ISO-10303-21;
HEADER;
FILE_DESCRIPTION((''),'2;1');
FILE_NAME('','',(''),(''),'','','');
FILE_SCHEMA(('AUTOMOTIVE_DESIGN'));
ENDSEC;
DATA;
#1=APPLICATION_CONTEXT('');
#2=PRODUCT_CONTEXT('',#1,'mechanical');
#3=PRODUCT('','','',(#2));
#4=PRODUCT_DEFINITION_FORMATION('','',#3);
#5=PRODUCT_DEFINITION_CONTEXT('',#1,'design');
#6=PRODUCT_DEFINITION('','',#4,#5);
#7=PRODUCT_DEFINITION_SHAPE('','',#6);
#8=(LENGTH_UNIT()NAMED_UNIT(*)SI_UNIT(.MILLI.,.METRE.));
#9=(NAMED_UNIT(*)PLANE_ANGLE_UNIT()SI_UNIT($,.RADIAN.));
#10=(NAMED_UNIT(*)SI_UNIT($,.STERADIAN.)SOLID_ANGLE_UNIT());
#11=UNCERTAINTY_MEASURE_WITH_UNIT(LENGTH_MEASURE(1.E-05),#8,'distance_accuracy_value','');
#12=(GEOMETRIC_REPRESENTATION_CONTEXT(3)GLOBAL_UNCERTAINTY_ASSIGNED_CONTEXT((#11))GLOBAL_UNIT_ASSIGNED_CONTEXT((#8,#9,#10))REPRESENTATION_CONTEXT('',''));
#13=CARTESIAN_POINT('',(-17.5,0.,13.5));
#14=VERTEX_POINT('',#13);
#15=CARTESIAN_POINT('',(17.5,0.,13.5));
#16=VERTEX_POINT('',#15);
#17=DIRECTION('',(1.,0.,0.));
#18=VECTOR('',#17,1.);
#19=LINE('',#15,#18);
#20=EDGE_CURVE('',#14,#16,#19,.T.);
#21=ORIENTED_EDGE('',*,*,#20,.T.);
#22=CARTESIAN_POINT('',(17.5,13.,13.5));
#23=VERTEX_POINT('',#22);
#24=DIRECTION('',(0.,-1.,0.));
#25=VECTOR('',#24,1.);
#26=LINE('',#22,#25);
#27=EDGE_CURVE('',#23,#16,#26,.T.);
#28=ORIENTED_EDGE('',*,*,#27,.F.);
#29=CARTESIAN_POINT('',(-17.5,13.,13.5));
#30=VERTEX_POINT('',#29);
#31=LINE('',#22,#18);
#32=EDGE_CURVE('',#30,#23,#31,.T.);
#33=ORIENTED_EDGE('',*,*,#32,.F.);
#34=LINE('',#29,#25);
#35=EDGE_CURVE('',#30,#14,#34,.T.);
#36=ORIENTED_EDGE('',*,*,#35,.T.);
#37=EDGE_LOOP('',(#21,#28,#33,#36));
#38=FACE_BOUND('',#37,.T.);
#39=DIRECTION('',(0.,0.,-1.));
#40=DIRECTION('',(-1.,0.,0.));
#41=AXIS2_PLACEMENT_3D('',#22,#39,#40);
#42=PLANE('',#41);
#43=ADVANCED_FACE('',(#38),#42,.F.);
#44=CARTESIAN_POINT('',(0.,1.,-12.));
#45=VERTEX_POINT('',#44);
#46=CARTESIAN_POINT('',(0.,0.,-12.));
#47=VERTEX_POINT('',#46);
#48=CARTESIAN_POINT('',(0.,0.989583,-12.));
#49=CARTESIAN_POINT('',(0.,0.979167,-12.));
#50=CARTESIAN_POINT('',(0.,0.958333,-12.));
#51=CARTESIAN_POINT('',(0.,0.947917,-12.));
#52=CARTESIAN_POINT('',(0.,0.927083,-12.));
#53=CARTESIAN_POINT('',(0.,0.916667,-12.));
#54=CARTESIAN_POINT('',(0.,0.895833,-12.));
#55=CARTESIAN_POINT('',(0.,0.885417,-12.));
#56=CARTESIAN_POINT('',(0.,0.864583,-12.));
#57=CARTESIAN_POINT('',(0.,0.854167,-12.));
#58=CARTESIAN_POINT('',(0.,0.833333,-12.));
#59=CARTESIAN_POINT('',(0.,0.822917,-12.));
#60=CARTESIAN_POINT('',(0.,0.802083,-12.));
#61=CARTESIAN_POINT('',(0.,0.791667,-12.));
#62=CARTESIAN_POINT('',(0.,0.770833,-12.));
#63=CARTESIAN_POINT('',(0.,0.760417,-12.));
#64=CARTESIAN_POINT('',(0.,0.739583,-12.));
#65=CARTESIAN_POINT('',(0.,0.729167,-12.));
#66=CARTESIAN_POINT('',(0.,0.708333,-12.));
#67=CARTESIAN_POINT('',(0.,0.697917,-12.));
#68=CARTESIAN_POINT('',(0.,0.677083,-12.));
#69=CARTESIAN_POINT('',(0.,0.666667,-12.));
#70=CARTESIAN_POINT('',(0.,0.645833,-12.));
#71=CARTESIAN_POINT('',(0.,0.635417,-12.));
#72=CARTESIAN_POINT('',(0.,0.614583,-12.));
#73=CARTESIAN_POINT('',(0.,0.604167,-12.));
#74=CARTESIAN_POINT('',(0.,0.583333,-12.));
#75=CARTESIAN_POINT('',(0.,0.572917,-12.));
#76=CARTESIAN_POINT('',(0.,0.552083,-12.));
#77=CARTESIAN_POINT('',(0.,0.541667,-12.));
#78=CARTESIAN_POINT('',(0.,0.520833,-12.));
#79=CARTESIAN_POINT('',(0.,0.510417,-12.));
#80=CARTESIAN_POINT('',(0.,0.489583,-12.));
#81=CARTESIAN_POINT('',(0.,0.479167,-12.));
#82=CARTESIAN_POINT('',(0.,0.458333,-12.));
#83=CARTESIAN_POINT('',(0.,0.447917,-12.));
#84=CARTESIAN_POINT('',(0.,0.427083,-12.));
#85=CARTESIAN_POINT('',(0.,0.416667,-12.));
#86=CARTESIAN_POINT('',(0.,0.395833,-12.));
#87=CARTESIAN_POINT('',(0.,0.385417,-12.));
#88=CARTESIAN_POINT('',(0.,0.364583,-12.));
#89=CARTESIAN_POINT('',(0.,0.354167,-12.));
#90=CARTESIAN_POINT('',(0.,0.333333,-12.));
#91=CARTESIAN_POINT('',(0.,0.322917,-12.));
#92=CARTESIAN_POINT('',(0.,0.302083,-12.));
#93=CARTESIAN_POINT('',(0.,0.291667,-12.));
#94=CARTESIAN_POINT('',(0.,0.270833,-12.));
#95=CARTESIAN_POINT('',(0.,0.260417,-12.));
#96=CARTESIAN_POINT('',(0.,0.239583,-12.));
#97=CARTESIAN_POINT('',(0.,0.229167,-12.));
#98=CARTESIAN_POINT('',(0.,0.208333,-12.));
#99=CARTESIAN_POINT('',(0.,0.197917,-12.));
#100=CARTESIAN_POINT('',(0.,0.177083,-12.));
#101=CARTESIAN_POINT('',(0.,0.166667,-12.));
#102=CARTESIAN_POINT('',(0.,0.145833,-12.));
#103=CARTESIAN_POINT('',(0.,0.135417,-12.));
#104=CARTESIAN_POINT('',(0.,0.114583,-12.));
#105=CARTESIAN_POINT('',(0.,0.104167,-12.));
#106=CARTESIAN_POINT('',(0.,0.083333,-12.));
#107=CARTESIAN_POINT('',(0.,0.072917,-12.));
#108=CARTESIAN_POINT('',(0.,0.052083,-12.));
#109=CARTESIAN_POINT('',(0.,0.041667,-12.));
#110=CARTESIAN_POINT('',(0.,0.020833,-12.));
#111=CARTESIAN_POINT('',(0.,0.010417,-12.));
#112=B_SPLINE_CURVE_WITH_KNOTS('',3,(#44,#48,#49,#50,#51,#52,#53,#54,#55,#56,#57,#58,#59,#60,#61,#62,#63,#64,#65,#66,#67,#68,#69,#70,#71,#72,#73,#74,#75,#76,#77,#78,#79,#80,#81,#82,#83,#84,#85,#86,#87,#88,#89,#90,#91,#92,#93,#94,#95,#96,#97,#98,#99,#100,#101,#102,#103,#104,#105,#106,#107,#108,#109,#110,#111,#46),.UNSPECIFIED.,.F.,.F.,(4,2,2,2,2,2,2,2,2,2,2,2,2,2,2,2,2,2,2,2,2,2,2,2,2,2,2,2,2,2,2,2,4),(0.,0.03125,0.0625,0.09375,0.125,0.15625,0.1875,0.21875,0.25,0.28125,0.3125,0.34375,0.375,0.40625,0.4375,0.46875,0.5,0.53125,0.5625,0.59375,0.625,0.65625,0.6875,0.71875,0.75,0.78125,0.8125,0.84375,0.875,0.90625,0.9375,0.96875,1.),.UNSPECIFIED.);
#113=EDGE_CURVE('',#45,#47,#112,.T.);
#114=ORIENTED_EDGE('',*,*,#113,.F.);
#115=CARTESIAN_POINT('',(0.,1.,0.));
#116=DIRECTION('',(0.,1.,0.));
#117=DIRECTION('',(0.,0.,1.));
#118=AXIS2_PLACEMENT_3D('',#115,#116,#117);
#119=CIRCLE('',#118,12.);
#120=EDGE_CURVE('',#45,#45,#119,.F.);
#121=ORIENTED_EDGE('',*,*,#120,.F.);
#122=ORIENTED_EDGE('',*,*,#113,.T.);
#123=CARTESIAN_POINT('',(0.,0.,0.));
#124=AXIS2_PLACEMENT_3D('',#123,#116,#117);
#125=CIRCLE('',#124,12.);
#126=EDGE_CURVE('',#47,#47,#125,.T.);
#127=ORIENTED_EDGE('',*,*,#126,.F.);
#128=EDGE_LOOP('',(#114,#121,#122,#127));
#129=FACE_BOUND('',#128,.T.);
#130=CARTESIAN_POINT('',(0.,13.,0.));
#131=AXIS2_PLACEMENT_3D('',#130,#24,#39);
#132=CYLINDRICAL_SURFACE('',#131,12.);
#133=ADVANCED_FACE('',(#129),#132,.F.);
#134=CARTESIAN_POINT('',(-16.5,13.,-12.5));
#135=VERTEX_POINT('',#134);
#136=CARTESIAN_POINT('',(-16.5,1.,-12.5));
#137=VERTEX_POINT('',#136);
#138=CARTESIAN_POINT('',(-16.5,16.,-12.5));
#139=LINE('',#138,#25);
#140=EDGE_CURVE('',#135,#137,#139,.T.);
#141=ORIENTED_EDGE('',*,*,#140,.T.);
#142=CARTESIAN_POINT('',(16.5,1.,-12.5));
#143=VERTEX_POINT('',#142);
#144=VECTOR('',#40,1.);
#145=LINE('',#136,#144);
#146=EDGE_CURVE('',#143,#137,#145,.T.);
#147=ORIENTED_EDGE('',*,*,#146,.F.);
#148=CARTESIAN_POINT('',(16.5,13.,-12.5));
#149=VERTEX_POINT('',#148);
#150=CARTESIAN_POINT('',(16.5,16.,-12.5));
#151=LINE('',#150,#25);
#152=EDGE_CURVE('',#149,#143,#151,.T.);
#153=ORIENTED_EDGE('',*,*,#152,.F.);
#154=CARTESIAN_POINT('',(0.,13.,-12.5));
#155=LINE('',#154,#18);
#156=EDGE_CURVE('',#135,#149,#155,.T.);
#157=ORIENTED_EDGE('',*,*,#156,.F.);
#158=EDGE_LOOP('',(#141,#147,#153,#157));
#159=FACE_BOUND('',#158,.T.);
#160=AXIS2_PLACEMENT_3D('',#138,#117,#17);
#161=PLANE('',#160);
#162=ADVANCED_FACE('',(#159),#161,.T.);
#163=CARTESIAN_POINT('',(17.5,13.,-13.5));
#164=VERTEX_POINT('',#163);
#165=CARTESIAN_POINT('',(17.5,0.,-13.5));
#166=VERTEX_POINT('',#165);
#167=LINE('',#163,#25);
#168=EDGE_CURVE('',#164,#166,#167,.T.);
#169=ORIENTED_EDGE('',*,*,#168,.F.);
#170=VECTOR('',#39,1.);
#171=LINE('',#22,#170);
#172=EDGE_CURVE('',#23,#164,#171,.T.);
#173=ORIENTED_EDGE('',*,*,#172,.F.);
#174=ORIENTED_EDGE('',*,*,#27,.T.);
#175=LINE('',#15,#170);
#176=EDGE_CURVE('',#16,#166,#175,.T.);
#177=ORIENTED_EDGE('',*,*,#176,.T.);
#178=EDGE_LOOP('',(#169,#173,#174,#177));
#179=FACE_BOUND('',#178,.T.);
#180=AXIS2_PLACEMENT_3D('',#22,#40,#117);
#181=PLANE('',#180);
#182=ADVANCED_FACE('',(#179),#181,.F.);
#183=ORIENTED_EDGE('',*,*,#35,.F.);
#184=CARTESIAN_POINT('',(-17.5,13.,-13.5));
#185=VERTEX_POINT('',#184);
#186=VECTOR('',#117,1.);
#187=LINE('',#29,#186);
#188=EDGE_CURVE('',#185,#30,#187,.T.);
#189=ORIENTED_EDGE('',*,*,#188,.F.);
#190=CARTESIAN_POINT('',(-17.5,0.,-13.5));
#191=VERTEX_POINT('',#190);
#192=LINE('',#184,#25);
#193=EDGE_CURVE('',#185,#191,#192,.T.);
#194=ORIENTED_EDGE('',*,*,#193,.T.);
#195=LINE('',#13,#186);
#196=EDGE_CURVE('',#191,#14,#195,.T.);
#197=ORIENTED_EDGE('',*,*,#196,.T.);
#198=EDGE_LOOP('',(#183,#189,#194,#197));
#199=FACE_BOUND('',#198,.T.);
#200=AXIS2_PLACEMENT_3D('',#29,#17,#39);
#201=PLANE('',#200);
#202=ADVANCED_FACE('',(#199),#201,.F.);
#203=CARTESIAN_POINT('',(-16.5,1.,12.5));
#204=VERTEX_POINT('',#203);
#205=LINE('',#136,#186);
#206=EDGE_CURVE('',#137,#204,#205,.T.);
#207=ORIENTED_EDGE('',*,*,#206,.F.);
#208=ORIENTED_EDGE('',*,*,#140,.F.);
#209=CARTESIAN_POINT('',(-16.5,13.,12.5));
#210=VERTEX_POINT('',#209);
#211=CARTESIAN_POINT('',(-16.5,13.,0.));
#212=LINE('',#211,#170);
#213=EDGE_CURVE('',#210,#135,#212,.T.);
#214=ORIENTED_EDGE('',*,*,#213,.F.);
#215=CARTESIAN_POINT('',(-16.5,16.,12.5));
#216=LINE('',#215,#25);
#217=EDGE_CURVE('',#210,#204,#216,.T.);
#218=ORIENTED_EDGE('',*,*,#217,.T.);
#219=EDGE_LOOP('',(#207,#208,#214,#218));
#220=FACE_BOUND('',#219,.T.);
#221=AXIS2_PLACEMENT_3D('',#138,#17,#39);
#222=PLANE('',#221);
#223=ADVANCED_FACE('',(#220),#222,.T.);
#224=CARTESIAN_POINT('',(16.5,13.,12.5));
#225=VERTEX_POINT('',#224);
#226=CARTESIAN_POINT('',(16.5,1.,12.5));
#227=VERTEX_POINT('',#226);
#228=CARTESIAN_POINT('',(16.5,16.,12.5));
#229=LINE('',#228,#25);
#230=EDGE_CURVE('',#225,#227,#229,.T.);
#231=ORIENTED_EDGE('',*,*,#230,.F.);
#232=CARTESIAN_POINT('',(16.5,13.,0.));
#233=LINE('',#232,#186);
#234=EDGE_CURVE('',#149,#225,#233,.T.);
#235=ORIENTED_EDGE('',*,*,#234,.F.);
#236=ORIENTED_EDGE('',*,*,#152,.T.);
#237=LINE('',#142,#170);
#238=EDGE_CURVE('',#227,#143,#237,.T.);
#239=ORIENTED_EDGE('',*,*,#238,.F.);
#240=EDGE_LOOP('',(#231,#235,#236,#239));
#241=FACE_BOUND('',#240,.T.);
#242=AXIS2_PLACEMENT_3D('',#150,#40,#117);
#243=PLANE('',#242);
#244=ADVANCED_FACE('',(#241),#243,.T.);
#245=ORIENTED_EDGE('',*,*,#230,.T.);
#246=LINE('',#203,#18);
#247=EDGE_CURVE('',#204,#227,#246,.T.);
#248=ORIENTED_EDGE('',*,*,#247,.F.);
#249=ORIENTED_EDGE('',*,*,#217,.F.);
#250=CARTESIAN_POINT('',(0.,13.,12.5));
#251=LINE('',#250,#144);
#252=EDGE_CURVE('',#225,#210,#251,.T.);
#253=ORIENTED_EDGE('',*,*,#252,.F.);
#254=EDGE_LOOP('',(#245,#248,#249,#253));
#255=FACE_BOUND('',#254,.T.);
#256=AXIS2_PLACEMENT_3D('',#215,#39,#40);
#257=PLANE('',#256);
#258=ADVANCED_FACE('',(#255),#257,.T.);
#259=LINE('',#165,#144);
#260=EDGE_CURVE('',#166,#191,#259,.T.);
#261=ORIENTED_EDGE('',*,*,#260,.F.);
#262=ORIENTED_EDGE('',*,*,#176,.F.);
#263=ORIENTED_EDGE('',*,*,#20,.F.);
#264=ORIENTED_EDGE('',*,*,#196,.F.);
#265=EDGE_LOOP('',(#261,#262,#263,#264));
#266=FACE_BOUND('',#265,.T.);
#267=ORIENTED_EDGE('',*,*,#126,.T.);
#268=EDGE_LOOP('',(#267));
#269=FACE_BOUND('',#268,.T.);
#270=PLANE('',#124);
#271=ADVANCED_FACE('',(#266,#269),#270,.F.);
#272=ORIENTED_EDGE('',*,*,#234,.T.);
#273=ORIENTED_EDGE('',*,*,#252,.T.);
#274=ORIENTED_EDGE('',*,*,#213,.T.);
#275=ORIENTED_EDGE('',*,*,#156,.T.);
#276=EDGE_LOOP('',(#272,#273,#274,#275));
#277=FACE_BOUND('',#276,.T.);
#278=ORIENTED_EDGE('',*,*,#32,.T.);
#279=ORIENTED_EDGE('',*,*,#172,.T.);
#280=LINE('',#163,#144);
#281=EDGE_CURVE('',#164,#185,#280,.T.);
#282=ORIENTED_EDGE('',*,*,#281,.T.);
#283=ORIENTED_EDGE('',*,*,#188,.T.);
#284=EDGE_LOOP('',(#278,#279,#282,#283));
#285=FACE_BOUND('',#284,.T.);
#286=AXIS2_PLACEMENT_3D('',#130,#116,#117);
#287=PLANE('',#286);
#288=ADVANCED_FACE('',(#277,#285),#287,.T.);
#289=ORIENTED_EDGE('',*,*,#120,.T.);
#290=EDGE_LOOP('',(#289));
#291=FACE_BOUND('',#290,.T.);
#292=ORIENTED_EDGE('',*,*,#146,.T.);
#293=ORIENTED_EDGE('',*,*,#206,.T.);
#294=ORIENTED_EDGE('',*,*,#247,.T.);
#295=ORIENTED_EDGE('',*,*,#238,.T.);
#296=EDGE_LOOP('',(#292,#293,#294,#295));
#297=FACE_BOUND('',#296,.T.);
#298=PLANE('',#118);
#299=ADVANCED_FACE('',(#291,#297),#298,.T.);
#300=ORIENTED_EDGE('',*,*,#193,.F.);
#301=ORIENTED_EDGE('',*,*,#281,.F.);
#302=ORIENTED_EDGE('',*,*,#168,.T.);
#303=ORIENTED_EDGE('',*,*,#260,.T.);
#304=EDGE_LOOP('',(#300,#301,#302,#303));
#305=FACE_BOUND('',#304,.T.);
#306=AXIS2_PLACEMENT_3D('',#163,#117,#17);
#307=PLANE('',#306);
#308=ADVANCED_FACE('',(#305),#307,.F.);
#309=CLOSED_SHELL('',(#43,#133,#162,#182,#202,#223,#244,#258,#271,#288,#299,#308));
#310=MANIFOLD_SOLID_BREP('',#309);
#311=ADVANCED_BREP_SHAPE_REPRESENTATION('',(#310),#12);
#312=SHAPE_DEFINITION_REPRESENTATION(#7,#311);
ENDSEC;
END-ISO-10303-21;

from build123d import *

# Parameters (mm, degrees)
SKETCH_1_W          = 35
SKETCH_1_H          = 27
EXTRUDE_1_DEPTH     = 13
CUT_EXTRUDE_START   = 1
SKETCH_2_W          = 33
SKETCH_2_H          = 25
CUT_EXTRUDE_1_DEPTH = 15
SKETCH_3_R          = 12
CUT_EXTRUDE_2_DEPTH = 26.64176281


with BuildPart() as part:
    # 스케치1 → 보스-돌출1 (new body)
    with BuildSketch(Plane(origin=(0, 0, 0), x_dir=(1, 0, 0), z_dir=(0, 1, 0))):
        Rectangle(SKETCH_1_W, SKETCH_1_H)
    extrude(amount=EXTRUDE_1_DEPTH)

    # 스케치2 → 컷-돌출1 (cut)
    with BuildSketch(Plane(origin=(0, 0, 0), x_dir=(1, 0, 0), z_dir=(0, 1, 0)).offset(CUT_EXTRUDE_START)):
        Rectangle(SKETCH_2_W, SKETCH_2_H)
    extrude(amount=CUT_EXTRUDE_1_DEPTH, mode=Mode.SUBTRACT)

    # 스케치3 → 컷-돌출2 (cut, through all)
    with BuildSketch(Plane(origin=(0, 0, 0), x_dir=(1, 0, 0), z_dir=(0, 1, 0))):
        with Locations(Location((0, 0, 0), (0, 0, 90))):
            Circle(SKETCH_3_R)
    extrude(amount=CUT_EXTRUDE_2_DEPTH, mode=Mode.SUBTRACT)


solid = part.part
